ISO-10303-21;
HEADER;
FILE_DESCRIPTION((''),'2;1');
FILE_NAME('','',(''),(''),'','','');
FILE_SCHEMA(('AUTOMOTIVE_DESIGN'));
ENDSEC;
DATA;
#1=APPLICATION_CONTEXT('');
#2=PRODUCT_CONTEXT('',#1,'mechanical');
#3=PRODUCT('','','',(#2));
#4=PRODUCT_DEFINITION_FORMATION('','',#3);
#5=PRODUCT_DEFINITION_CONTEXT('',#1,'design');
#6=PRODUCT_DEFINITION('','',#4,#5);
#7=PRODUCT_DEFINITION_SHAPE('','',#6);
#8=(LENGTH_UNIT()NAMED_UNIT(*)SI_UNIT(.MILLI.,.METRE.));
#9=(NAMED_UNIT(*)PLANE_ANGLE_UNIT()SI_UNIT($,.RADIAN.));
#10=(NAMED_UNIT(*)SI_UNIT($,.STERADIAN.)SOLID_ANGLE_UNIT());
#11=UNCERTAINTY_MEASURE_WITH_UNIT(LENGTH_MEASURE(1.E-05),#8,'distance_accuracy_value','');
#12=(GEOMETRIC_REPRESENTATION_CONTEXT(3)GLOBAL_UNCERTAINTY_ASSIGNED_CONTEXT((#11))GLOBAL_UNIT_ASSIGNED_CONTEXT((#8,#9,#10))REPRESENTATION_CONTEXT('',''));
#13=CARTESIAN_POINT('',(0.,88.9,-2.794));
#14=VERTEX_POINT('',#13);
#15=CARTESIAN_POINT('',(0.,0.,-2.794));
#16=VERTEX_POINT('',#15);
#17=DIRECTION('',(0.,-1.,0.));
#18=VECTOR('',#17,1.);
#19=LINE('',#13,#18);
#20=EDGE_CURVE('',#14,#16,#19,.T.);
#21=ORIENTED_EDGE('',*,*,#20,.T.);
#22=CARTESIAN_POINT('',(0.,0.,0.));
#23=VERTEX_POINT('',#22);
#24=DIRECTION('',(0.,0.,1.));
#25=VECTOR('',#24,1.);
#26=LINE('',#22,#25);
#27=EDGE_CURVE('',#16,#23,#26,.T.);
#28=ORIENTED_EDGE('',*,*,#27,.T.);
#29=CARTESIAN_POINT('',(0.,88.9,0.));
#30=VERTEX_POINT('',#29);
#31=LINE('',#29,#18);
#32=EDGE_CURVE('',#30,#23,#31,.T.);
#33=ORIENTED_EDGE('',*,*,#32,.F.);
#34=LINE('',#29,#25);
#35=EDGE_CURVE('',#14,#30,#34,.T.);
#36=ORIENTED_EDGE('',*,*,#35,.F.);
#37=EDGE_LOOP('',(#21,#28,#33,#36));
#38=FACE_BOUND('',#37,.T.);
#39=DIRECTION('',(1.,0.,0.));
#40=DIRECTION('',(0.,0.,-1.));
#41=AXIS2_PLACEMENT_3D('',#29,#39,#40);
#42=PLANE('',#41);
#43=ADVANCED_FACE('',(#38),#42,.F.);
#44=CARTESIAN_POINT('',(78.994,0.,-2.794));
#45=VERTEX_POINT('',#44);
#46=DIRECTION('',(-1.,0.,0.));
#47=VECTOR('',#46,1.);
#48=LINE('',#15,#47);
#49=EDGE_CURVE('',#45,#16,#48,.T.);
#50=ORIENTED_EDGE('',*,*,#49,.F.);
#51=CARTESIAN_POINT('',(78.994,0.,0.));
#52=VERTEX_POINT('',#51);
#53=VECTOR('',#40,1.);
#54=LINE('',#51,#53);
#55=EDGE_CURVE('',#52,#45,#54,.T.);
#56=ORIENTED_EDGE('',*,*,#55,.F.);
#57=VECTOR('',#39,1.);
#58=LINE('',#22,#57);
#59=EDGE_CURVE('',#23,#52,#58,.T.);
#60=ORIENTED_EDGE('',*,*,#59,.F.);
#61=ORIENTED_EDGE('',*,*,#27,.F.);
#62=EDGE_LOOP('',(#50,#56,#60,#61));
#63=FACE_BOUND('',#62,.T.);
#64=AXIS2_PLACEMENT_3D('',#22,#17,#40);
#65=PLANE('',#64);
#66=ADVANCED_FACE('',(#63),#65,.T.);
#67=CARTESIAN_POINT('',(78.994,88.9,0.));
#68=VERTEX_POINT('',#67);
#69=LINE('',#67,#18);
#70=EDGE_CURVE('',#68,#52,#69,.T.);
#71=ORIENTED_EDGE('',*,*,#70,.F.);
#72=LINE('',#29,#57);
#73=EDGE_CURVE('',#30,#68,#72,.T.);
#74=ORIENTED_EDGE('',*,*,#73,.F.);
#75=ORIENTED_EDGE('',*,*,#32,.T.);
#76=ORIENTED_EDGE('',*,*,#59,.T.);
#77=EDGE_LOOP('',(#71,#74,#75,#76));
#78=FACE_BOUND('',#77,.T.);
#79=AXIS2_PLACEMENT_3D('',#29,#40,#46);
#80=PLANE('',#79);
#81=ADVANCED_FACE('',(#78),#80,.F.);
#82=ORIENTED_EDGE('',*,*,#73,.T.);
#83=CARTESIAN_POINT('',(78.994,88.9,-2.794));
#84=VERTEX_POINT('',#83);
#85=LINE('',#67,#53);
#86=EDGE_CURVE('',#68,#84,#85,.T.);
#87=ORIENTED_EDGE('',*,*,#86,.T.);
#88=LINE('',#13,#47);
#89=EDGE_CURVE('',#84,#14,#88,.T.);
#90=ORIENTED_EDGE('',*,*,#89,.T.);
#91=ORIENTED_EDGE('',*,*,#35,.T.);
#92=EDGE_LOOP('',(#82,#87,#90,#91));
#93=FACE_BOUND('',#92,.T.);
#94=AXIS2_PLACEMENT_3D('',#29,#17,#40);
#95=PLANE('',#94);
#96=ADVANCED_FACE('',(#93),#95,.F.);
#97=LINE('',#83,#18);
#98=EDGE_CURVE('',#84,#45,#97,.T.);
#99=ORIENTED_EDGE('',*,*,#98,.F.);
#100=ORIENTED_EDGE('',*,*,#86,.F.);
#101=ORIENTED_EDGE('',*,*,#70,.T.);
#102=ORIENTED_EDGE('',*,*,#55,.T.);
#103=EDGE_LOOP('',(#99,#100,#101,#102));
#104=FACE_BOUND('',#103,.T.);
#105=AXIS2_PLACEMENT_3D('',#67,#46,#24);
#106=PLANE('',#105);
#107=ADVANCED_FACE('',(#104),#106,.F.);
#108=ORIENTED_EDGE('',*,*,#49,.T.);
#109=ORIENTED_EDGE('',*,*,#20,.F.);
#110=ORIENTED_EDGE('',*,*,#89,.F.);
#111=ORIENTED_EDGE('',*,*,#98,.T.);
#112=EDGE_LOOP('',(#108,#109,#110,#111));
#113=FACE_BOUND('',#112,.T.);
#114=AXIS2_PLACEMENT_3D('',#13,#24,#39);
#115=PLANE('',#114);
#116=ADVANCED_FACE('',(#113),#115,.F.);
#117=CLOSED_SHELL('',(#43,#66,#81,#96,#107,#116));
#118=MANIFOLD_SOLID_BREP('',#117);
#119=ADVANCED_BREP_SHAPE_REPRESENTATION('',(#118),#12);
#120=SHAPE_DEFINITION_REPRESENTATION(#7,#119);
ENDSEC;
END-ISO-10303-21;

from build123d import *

# Parameters (mm, degrees)
SKETCH1_W           = 78.994
SKETCH1_H           = 2.794
BOSS_EXTRUDE1_DEPTH = 88.9


with BuildPart() as part:
    # Sketch1 → Boss-Extrude1 (new body)
    with BuildSketch(Plane(origin=(0, 0, 0), x_dir=(1, 0, 0), z_dir=(0, 1, 0))):
        with Locations((39.497, 1.397)):
            Rectangle(SKETCH1_W, SKETCH1_H)
    extrude(amount=BOSS_EXTRUDE1_DEPTH)


solid = part.part
